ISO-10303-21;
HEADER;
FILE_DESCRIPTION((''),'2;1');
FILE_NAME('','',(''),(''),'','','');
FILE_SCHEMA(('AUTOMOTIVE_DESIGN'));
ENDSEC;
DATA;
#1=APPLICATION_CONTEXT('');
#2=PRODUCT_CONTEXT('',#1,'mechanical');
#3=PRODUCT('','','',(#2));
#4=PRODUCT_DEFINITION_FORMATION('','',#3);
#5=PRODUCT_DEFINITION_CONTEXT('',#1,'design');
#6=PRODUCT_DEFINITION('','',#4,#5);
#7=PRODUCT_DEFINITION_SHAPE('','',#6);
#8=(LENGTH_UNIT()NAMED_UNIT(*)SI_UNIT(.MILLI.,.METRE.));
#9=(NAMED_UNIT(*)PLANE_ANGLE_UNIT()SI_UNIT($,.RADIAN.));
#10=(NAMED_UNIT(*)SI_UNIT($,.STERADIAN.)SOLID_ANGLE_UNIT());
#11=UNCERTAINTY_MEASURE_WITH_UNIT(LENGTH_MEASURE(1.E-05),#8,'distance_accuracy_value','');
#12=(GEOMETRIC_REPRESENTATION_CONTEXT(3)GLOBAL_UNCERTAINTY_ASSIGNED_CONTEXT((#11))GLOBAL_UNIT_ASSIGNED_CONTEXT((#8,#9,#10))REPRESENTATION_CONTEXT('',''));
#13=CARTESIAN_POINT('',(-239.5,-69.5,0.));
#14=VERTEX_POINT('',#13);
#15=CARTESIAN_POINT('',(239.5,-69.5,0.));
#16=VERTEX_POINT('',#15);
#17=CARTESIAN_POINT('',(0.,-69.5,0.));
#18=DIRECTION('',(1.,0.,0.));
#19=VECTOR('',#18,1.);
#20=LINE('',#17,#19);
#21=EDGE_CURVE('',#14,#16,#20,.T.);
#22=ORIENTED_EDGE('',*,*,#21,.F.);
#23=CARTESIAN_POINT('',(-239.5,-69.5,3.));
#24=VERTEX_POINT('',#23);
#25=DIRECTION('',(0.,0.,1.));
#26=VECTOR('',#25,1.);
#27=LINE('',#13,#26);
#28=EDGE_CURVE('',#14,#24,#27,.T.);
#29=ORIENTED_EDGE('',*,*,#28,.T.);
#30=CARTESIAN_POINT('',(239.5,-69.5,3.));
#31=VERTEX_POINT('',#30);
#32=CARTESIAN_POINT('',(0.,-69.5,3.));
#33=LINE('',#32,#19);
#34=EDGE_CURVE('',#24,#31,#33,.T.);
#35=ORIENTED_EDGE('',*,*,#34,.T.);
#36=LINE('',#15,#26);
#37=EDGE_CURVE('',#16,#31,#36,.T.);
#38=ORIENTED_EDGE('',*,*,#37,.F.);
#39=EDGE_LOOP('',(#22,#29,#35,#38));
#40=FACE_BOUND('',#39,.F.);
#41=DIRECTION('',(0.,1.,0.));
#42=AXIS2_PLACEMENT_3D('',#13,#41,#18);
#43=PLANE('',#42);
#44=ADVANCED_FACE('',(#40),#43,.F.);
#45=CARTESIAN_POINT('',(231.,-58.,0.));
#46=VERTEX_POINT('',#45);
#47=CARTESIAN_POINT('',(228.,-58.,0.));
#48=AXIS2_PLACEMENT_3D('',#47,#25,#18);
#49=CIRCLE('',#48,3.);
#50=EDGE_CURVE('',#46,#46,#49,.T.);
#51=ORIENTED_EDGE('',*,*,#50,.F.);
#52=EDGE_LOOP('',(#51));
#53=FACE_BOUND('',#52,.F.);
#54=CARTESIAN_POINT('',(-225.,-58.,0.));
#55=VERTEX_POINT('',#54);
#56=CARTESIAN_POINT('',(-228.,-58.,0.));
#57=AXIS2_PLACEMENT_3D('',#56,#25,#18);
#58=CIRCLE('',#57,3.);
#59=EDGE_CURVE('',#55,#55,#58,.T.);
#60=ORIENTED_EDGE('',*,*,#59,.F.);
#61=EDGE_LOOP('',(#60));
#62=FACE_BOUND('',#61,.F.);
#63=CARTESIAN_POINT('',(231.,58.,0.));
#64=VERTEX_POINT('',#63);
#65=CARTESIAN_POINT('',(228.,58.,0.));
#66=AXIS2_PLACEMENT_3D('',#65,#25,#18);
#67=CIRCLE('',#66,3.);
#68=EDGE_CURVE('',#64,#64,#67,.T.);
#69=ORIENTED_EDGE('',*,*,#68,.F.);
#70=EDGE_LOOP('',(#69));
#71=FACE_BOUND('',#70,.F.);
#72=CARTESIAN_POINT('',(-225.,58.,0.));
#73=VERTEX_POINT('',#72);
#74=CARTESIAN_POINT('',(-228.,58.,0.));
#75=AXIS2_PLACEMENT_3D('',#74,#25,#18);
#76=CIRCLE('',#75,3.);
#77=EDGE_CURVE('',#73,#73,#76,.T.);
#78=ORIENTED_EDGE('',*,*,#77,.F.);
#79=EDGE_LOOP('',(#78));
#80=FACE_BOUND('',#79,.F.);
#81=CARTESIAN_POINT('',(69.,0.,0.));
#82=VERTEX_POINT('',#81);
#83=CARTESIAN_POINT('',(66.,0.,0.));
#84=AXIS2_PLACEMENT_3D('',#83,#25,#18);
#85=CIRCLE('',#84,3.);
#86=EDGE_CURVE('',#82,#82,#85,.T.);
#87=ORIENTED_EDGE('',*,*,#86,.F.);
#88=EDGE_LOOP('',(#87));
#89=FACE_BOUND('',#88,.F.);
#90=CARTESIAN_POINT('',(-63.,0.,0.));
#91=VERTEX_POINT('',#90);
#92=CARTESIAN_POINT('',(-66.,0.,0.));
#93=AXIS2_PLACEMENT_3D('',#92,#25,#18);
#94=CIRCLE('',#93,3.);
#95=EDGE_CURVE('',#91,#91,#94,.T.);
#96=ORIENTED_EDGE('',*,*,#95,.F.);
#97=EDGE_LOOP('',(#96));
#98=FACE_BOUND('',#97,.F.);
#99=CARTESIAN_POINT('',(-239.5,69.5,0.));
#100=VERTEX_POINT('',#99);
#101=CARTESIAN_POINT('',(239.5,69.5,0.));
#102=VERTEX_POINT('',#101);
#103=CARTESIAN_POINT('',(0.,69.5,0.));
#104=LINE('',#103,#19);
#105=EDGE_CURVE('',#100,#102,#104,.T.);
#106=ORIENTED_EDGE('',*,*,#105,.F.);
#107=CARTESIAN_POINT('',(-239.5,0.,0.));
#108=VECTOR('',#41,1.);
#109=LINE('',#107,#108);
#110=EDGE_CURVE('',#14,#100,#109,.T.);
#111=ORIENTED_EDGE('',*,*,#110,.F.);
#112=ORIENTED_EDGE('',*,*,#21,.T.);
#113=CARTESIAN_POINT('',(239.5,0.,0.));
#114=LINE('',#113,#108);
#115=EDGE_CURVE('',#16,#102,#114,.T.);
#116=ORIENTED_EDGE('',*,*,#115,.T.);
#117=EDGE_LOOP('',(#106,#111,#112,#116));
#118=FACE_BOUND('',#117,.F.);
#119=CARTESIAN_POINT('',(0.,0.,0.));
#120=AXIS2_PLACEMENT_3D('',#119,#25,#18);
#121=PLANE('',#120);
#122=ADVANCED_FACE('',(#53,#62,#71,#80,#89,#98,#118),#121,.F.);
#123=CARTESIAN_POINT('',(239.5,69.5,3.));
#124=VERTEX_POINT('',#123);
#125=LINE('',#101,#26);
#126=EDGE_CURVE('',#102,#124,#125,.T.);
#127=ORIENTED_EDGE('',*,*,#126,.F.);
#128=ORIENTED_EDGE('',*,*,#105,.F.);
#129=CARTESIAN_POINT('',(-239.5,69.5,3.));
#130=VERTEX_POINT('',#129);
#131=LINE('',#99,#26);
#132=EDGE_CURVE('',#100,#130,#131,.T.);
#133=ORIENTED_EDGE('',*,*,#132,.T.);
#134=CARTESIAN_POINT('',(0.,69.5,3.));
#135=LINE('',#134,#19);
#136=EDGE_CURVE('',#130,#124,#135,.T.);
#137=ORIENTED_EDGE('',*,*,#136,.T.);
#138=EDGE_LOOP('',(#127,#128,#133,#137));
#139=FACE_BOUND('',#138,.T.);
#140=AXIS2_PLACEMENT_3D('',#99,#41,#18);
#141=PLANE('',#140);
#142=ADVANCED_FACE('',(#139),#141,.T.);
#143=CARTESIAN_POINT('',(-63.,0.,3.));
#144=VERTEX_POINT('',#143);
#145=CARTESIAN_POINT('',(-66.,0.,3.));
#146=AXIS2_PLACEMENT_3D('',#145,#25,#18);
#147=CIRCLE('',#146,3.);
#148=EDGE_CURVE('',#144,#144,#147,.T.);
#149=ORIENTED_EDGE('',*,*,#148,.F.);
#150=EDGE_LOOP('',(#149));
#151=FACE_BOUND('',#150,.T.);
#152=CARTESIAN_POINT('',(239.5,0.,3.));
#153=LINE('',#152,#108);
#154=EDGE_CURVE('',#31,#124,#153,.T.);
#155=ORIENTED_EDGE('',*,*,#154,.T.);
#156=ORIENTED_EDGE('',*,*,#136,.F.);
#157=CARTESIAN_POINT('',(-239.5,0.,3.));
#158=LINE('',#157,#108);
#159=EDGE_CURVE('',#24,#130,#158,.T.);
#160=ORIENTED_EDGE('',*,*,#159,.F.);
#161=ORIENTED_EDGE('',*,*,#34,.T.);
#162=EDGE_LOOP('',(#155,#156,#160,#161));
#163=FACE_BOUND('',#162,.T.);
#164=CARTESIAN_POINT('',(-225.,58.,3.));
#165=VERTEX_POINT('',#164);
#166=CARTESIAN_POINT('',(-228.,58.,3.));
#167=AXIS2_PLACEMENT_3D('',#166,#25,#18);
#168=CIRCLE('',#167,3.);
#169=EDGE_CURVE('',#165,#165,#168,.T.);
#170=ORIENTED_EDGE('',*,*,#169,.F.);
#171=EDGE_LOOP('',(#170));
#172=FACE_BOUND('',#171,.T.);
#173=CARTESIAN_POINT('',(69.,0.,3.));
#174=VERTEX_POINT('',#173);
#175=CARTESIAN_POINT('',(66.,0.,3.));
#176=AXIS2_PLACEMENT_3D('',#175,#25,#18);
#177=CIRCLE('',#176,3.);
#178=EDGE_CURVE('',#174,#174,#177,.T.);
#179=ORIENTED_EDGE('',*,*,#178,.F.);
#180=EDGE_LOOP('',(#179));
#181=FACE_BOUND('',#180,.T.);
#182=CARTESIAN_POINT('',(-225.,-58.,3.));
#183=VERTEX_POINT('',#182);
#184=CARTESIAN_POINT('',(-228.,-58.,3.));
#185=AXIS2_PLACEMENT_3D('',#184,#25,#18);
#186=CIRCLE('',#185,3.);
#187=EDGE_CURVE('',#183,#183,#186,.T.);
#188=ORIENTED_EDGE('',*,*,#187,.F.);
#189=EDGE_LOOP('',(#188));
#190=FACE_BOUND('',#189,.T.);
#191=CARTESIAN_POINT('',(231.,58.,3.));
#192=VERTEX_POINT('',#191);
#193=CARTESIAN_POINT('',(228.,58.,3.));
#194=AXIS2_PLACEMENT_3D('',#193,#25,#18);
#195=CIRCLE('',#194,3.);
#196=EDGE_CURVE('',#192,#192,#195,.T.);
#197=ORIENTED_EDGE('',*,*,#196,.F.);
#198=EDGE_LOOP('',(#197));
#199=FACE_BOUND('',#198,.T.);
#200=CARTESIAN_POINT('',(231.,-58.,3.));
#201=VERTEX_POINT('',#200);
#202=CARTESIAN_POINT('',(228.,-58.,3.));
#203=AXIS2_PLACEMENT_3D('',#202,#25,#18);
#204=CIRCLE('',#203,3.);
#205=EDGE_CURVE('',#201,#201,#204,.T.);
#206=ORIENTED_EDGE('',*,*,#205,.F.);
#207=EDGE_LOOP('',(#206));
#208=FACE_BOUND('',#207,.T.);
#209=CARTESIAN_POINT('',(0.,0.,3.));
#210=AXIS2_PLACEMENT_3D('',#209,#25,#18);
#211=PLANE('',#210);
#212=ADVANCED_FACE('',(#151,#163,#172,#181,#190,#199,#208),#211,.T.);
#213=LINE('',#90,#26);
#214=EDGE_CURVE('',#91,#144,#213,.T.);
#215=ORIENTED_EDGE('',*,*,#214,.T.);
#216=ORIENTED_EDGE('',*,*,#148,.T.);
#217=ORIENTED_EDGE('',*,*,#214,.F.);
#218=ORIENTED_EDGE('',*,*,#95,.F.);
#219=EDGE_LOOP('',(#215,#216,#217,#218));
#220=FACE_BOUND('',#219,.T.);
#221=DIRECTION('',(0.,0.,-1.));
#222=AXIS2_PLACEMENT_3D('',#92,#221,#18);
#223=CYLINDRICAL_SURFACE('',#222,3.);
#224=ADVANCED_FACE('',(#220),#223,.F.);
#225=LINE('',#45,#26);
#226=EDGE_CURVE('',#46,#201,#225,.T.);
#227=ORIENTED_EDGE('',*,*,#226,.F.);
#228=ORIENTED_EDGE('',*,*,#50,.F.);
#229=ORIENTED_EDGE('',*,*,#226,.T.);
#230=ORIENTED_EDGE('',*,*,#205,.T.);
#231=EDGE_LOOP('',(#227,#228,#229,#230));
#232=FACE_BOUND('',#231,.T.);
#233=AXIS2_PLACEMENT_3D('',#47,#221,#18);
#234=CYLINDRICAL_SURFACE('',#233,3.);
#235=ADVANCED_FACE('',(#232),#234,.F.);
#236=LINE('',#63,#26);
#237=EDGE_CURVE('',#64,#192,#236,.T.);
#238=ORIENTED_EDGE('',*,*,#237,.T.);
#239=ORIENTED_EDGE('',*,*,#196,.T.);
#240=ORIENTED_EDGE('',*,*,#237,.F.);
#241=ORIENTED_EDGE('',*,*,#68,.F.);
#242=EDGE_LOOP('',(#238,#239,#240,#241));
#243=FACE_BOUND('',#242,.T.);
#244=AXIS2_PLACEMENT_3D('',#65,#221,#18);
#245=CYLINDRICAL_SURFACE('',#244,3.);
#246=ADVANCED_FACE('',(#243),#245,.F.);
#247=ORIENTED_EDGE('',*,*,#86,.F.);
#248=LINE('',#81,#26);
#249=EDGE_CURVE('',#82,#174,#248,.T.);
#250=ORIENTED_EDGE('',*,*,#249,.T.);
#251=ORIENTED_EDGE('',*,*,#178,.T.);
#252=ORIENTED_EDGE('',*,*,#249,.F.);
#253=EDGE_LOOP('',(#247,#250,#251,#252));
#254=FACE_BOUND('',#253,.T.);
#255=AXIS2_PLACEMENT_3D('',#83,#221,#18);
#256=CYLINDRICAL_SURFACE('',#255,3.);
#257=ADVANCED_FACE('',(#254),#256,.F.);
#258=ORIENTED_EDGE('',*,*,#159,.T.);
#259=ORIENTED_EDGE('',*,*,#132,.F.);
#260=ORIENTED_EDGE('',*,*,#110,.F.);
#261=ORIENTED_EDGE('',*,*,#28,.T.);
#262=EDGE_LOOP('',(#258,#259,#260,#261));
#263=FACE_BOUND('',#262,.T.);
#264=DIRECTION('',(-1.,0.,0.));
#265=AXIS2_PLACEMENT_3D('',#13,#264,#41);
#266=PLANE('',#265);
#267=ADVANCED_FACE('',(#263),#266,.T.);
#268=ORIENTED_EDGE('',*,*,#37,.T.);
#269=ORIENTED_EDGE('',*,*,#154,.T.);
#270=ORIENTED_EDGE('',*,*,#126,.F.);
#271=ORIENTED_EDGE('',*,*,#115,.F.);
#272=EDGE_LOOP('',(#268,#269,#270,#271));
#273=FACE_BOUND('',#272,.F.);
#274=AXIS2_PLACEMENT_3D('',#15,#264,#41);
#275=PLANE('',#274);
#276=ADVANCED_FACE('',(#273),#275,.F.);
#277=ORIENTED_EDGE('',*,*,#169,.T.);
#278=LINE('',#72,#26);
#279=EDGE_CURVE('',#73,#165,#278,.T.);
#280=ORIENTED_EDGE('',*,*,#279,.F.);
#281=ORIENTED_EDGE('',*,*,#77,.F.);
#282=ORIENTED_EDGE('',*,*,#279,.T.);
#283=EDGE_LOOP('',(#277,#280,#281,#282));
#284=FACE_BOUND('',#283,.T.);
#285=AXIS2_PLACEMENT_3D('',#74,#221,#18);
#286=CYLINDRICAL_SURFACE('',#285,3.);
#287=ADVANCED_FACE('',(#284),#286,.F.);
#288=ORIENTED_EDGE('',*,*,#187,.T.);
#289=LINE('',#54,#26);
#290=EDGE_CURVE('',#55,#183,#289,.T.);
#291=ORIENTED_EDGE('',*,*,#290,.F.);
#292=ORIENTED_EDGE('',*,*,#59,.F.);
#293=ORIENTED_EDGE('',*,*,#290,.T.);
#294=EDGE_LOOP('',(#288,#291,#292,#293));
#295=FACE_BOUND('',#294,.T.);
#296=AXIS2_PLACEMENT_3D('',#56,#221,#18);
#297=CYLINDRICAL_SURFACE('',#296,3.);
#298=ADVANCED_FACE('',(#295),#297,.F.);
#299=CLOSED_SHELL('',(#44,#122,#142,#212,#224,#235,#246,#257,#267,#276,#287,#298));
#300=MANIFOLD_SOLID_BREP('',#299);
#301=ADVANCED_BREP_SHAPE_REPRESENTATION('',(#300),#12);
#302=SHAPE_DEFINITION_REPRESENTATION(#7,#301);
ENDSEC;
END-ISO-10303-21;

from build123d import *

# Parameters (mm, degrees)
F0_W     = 479
F0_H     = 139
F0_R     = 3
F1_DEPTH = 3


with BuildPart() as f1:
    # F0 (on Top) → F1 (new body)
    with BuildSketch(Plane.XY):
        Rectangle(F0_W, F0_H)
        with Locations((-228, -58)):
            Circle(F0_R, mode=Mode.SUBTRACT)
        with Locations((228, -58)):
            Circle(F0_R, mode=Mode.SUBTRACT)
        with Locations((-66, 0)):
            Circle(F0_R, mode=Mode.SUBTRACT)
        with Locations((-228, 58)):
            Circle(F0_R, mode=Mode.SUBTRACT)
        with Locations((66, 0)):
            Circle(F0_R, mode=Mode.SUBTRACT)
        with Locations((228, 58)):
            Circle(F0_R, mode=Mode.SUBTRACT)
    extrude(amount=F1_DEPTH)


solid = f1.part
